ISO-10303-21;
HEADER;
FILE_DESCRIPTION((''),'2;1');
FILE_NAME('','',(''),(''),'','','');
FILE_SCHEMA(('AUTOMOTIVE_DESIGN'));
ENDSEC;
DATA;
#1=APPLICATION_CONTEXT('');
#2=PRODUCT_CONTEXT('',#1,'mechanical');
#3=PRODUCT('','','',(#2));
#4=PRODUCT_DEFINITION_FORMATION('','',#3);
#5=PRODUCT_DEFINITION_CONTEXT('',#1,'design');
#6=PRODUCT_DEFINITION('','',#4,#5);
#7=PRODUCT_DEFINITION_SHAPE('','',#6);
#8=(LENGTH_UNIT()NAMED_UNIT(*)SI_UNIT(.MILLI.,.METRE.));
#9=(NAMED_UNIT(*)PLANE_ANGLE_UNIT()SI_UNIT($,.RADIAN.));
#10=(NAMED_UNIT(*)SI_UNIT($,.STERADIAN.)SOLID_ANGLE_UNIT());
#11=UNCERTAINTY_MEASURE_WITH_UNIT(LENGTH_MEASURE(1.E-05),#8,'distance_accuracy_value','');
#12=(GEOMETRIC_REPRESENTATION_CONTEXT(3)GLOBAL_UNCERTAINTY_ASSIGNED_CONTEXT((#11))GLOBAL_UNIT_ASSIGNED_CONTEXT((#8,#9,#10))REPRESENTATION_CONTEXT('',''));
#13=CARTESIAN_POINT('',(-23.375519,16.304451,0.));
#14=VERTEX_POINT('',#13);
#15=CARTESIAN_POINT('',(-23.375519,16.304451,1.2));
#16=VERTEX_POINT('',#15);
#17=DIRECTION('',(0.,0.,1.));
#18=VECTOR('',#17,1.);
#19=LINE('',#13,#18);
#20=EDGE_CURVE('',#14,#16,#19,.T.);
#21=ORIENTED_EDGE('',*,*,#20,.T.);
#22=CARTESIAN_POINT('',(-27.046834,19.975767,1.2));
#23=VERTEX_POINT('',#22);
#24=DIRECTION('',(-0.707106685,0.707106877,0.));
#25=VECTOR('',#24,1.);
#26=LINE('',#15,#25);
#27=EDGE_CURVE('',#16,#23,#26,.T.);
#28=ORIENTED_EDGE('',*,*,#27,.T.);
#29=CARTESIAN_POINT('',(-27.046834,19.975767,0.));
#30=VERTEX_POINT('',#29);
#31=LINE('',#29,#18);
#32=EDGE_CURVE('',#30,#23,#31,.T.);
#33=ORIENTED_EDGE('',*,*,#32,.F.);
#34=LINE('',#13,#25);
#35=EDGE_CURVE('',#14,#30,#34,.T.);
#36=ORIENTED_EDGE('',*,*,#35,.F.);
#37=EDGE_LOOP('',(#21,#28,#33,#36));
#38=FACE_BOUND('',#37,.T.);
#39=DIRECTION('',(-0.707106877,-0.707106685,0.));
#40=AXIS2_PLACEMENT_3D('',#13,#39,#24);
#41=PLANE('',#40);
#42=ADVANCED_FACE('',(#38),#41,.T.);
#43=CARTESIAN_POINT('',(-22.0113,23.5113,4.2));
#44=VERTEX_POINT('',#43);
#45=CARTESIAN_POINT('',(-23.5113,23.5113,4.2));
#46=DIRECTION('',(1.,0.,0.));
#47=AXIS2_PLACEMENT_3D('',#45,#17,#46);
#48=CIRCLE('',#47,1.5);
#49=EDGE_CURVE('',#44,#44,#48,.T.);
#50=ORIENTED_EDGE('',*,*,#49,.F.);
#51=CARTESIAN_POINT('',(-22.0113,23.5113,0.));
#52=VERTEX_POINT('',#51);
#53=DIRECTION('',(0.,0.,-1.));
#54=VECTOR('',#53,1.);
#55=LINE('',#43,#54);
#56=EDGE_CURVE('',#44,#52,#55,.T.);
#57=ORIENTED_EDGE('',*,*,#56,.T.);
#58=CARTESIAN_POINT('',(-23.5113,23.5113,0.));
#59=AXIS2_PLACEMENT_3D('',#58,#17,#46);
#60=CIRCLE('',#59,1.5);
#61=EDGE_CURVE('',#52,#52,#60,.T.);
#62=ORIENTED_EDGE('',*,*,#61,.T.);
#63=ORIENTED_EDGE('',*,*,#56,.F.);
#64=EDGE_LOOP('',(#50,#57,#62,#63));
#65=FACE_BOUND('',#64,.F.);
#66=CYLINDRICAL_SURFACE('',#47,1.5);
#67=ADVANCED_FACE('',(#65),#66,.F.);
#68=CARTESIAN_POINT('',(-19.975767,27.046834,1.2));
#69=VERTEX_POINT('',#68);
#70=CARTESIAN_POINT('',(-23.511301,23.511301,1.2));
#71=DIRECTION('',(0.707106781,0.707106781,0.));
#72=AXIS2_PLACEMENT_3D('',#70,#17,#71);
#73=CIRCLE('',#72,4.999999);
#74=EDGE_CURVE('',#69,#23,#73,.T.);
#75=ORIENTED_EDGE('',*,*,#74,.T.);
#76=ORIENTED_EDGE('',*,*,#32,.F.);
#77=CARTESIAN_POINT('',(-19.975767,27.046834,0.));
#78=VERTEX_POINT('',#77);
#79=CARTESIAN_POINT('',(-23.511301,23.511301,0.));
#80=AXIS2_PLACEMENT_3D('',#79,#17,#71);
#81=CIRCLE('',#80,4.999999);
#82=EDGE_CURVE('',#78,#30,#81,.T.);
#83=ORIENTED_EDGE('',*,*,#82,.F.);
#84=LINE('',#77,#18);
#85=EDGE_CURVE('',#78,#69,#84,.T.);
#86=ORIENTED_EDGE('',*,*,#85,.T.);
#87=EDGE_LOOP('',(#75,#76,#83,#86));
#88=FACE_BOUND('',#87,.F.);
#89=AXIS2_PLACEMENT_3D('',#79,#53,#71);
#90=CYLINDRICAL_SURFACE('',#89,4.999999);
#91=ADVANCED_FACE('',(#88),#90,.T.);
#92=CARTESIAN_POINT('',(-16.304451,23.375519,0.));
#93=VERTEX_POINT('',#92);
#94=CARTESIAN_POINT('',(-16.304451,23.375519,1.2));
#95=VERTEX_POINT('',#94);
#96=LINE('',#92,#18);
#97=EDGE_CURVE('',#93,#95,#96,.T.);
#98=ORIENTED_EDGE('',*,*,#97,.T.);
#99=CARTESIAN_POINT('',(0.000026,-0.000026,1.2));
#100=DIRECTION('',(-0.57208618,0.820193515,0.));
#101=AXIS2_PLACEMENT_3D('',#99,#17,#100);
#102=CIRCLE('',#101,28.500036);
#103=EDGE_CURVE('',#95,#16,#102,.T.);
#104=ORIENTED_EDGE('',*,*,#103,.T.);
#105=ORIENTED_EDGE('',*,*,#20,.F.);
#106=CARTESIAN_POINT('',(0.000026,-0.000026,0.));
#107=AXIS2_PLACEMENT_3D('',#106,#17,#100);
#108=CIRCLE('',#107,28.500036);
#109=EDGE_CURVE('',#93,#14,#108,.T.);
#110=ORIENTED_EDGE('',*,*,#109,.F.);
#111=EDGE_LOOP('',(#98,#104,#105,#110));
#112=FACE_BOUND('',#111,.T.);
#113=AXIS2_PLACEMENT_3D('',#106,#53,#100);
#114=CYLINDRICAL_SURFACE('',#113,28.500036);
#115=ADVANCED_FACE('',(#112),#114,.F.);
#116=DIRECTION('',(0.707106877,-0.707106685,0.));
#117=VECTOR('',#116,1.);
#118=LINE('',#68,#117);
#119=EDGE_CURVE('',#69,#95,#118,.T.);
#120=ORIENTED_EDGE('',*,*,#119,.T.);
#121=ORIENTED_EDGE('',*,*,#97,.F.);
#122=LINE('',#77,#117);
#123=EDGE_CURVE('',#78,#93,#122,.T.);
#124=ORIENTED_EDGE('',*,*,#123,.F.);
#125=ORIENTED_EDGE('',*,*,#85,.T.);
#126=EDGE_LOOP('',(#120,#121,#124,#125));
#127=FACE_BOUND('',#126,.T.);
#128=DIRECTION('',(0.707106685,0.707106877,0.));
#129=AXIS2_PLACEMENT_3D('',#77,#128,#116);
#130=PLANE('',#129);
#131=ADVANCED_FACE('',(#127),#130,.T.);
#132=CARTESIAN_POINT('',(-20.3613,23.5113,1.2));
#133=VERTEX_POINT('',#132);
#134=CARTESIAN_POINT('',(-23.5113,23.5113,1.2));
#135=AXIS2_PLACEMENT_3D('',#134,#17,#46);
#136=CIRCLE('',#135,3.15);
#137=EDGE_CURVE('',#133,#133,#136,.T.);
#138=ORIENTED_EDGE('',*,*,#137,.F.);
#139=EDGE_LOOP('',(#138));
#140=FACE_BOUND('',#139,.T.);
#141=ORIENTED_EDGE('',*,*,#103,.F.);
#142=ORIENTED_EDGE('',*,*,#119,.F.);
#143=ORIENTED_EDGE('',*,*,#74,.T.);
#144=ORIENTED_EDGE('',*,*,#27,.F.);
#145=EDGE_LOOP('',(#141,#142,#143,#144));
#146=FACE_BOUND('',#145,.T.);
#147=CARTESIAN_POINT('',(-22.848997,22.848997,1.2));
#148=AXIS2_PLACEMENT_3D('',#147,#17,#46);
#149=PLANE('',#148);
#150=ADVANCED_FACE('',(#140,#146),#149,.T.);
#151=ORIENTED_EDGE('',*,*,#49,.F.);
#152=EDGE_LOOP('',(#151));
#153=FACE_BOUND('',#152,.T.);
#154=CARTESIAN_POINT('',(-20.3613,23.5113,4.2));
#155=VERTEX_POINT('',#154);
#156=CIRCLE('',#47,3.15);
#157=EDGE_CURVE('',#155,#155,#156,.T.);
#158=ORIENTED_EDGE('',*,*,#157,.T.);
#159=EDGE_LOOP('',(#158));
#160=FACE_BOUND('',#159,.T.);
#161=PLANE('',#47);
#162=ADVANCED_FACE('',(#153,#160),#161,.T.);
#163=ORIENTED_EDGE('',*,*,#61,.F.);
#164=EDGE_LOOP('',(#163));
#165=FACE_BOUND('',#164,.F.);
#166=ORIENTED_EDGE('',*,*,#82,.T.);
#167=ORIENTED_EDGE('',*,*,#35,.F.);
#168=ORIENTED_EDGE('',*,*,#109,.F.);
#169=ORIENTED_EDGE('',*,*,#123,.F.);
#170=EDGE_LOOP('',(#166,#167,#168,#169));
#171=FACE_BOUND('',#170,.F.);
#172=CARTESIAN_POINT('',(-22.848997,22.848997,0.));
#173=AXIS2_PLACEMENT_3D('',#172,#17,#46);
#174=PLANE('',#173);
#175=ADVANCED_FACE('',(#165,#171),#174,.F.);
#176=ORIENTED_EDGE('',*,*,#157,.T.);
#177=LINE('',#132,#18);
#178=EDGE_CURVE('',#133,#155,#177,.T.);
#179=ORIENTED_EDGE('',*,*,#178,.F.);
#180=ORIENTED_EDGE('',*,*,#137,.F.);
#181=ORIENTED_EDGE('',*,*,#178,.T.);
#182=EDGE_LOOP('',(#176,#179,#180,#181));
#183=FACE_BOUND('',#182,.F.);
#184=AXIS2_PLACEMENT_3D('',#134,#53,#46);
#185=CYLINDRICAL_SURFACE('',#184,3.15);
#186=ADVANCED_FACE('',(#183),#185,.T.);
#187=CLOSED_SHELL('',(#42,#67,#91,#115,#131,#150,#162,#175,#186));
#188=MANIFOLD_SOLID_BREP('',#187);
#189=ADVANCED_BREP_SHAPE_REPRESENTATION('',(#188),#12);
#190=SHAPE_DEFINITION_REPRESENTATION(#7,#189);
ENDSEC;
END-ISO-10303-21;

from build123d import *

# Parameters (mm, degrees)
PAD_DEPTH       = 1.2
SKETCH001_R     = 3.15
PAD001_DEPTH    = 3
SKETCH002_R     = 0.8
POCKET_DEPTH    = 4.201
SKETCH003_R     = 1.5
POCKET001_DEPTH = 5


with BuildPart() as part:
    # Sketch → Pad (new body)
    with BuildSketch(Plane.XY):
        with BuildLine():
            ThreePointArc((-19.975767, 27.046834), (-27.046834, 27.046834), (-27.046834, 19.975767))
            Line((-23.375519, 16.304451), (-27.046834, 19.975767))
            ThreePointArc((-16.304451, 23.375519), (-20.152543, 20.152543), (-23.375519, 16.304451))
            Line((-19.975767, 27.046834), (-16.304451, 23.375519))
        make_face()
    extrude(amount=PAD_DEPTH)

    # Sketch001 → Pad001 (new body)
    with BuildSketch(Plane.XY.offset(1.2)):
        with Locations((-23.5113, 23.5113)):
            Circle(SKETCH001_R)
    extrude(amount=PAD001_DEPTH)

    # Sketch002 → Pocket (cut, through all)
    with BuildSketch(Plane.XY.offset(4.2)):
        with Locations((-23.5113, 23.5113)):
            Circle(SKETCH002_R)
    extrude(amount=-POCKET_DEPTH, mode=Mode.SUBTRACT)

    # Sketch003 → Pocket001 (cut)
    with BuildSketch(Plane.XY.offset(4.2)):
        with Locations((-23.5113, 23.5113)):
            Circle(SKETCH003_R)
    extrude(amount=-POCKET001_DEPTH, mode=Mode.SUBTRACT)


solid = part.part
